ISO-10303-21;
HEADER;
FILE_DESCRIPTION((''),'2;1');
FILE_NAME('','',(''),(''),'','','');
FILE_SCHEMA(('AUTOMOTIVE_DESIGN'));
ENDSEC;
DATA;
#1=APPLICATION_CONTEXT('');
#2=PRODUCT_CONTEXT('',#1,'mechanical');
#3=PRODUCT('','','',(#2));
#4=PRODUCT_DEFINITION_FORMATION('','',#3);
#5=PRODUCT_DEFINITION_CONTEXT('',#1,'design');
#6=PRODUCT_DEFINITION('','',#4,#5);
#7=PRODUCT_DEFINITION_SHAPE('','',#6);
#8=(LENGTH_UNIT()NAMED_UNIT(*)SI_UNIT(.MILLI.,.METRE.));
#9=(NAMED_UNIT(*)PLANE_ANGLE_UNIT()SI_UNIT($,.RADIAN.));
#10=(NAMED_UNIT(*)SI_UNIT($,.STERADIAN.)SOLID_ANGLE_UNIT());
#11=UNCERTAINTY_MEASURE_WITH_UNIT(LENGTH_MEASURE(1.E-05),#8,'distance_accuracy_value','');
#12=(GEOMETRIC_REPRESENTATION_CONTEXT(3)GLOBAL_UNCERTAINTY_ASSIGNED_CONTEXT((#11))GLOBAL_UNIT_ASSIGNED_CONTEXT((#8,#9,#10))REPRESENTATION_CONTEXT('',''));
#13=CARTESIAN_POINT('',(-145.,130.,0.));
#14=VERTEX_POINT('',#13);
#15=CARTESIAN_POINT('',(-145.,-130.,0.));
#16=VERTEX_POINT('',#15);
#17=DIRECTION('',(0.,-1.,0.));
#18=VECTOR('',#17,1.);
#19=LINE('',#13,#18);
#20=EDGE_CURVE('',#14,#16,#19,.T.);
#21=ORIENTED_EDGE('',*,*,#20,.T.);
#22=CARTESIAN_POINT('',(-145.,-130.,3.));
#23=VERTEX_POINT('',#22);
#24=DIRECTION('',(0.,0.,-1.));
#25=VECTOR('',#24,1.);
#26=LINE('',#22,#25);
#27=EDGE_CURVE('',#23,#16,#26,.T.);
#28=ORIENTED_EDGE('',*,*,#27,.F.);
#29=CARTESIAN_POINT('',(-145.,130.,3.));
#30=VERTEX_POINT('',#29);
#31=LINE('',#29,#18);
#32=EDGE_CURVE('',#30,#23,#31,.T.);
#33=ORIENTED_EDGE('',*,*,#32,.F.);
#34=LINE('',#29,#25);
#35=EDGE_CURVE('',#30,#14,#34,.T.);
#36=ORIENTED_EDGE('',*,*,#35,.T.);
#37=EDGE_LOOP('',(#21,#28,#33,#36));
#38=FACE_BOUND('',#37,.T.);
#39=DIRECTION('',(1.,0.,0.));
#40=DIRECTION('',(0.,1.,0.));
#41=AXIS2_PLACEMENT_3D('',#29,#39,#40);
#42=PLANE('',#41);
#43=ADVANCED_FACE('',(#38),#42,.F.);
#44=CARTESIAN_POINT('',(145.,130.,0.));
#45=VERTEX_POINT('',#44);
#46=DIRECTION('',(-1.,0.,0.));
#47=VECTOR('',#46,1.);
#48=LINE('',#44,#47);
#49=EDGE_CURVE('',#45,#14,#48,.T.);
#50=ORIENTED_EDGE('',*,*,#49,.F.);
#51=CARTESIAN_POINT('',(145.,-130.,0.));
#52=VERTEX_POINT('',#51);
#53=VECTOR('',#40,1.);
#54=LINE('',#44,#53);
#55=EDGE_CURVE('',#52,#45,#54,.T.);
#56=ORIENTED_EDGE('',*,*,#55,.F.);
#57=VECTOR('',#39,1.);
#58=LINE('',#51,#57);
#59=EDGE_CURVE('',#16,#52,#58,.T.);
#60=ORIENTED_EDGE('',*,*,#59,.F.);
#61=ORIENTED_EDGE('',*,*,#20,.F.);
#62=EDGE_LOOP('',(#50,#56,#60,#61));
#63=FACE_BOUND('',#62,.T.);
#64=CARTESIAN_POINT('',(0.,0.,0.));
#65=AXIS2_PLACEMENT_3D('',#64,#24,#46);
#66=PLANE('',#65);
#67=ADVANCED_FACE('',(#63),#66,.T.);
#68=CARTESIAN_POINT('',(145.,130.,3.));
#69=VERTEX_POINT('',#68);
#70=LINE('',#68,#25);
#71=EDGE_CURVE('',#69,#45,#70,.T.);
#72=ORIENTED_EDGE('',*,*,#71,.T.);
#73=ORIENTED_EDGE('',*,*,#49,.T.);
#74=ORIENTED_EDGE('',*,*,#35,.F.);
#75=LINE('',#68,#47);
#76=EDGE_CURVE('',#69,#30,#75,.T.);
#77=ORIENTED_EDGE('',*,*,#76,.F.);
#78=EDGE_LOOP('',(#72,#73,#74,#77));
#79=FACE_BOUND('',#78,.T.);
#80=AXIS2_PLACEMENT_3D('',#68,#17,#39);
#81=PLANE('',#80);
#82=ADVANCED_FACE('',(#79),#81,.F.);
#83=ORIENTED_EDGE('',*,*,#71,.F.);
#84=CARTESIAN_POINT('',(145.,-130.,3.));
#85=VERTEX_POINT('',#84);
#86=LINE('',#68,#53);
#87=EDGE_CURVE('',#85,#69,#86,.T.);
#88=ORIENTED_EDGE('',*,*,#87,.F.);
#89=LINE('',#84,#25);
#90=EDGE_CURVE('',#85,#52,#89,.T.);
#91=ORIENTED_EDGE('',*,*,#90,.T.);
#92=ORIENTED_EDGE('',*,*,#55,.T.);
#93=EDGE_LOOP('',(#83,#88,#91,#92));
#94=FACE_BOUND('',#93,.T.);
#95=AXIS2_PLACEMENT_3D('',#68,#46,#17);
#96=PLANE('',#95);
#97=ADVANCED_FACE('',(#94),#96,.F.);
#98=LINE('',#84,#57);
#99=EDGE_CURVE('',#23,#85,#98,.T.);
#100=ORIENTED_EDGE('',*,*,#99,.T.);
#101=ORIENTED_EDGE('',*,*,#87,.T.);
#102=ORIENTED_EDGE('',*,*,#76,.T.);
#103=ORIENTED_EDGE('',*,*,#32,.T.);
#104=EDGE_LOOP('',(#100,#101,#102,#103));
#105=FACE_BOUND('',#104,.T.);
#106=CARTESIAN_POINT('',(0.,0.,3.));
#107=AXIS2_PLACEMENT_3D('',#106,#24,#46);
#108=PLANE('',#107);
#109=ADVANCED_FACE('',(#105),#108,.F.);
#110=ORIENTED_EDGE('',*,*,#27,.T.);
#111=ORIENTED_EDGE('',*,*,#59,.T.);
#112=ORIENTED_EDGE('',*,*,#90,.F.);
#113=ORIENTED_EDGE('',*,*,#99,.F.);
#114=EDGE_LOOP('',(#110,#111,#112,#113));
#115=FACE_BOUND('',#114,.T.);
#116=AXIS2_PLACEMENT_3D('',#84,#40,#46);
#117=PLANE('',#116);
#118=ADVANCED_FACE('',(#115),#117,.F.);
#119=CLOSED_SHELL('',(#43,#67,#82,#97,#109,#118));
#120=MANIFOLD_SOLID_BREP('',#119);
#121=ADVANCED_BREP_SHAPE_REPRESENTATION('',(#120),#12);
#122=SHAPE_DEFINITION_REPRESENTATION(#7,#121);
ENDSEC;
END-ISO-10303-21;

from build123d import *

# Parameters (mm, degrees)
SKETCH_1_W      = 290
SKETCH_1_H      = 260
EXTRUDE_1_DEPTH = 3


with BuildPart() as part:
    # Эскиз1 → Бобышка-Вытянуть1 (new body)
    with BuildSketch(Plane.XY):
        Rectangle(SKETCH_1_W, SKETCH_1_H)
    extrude(amount=EXTRUDE_1_DEPTH)


solid = part.part
